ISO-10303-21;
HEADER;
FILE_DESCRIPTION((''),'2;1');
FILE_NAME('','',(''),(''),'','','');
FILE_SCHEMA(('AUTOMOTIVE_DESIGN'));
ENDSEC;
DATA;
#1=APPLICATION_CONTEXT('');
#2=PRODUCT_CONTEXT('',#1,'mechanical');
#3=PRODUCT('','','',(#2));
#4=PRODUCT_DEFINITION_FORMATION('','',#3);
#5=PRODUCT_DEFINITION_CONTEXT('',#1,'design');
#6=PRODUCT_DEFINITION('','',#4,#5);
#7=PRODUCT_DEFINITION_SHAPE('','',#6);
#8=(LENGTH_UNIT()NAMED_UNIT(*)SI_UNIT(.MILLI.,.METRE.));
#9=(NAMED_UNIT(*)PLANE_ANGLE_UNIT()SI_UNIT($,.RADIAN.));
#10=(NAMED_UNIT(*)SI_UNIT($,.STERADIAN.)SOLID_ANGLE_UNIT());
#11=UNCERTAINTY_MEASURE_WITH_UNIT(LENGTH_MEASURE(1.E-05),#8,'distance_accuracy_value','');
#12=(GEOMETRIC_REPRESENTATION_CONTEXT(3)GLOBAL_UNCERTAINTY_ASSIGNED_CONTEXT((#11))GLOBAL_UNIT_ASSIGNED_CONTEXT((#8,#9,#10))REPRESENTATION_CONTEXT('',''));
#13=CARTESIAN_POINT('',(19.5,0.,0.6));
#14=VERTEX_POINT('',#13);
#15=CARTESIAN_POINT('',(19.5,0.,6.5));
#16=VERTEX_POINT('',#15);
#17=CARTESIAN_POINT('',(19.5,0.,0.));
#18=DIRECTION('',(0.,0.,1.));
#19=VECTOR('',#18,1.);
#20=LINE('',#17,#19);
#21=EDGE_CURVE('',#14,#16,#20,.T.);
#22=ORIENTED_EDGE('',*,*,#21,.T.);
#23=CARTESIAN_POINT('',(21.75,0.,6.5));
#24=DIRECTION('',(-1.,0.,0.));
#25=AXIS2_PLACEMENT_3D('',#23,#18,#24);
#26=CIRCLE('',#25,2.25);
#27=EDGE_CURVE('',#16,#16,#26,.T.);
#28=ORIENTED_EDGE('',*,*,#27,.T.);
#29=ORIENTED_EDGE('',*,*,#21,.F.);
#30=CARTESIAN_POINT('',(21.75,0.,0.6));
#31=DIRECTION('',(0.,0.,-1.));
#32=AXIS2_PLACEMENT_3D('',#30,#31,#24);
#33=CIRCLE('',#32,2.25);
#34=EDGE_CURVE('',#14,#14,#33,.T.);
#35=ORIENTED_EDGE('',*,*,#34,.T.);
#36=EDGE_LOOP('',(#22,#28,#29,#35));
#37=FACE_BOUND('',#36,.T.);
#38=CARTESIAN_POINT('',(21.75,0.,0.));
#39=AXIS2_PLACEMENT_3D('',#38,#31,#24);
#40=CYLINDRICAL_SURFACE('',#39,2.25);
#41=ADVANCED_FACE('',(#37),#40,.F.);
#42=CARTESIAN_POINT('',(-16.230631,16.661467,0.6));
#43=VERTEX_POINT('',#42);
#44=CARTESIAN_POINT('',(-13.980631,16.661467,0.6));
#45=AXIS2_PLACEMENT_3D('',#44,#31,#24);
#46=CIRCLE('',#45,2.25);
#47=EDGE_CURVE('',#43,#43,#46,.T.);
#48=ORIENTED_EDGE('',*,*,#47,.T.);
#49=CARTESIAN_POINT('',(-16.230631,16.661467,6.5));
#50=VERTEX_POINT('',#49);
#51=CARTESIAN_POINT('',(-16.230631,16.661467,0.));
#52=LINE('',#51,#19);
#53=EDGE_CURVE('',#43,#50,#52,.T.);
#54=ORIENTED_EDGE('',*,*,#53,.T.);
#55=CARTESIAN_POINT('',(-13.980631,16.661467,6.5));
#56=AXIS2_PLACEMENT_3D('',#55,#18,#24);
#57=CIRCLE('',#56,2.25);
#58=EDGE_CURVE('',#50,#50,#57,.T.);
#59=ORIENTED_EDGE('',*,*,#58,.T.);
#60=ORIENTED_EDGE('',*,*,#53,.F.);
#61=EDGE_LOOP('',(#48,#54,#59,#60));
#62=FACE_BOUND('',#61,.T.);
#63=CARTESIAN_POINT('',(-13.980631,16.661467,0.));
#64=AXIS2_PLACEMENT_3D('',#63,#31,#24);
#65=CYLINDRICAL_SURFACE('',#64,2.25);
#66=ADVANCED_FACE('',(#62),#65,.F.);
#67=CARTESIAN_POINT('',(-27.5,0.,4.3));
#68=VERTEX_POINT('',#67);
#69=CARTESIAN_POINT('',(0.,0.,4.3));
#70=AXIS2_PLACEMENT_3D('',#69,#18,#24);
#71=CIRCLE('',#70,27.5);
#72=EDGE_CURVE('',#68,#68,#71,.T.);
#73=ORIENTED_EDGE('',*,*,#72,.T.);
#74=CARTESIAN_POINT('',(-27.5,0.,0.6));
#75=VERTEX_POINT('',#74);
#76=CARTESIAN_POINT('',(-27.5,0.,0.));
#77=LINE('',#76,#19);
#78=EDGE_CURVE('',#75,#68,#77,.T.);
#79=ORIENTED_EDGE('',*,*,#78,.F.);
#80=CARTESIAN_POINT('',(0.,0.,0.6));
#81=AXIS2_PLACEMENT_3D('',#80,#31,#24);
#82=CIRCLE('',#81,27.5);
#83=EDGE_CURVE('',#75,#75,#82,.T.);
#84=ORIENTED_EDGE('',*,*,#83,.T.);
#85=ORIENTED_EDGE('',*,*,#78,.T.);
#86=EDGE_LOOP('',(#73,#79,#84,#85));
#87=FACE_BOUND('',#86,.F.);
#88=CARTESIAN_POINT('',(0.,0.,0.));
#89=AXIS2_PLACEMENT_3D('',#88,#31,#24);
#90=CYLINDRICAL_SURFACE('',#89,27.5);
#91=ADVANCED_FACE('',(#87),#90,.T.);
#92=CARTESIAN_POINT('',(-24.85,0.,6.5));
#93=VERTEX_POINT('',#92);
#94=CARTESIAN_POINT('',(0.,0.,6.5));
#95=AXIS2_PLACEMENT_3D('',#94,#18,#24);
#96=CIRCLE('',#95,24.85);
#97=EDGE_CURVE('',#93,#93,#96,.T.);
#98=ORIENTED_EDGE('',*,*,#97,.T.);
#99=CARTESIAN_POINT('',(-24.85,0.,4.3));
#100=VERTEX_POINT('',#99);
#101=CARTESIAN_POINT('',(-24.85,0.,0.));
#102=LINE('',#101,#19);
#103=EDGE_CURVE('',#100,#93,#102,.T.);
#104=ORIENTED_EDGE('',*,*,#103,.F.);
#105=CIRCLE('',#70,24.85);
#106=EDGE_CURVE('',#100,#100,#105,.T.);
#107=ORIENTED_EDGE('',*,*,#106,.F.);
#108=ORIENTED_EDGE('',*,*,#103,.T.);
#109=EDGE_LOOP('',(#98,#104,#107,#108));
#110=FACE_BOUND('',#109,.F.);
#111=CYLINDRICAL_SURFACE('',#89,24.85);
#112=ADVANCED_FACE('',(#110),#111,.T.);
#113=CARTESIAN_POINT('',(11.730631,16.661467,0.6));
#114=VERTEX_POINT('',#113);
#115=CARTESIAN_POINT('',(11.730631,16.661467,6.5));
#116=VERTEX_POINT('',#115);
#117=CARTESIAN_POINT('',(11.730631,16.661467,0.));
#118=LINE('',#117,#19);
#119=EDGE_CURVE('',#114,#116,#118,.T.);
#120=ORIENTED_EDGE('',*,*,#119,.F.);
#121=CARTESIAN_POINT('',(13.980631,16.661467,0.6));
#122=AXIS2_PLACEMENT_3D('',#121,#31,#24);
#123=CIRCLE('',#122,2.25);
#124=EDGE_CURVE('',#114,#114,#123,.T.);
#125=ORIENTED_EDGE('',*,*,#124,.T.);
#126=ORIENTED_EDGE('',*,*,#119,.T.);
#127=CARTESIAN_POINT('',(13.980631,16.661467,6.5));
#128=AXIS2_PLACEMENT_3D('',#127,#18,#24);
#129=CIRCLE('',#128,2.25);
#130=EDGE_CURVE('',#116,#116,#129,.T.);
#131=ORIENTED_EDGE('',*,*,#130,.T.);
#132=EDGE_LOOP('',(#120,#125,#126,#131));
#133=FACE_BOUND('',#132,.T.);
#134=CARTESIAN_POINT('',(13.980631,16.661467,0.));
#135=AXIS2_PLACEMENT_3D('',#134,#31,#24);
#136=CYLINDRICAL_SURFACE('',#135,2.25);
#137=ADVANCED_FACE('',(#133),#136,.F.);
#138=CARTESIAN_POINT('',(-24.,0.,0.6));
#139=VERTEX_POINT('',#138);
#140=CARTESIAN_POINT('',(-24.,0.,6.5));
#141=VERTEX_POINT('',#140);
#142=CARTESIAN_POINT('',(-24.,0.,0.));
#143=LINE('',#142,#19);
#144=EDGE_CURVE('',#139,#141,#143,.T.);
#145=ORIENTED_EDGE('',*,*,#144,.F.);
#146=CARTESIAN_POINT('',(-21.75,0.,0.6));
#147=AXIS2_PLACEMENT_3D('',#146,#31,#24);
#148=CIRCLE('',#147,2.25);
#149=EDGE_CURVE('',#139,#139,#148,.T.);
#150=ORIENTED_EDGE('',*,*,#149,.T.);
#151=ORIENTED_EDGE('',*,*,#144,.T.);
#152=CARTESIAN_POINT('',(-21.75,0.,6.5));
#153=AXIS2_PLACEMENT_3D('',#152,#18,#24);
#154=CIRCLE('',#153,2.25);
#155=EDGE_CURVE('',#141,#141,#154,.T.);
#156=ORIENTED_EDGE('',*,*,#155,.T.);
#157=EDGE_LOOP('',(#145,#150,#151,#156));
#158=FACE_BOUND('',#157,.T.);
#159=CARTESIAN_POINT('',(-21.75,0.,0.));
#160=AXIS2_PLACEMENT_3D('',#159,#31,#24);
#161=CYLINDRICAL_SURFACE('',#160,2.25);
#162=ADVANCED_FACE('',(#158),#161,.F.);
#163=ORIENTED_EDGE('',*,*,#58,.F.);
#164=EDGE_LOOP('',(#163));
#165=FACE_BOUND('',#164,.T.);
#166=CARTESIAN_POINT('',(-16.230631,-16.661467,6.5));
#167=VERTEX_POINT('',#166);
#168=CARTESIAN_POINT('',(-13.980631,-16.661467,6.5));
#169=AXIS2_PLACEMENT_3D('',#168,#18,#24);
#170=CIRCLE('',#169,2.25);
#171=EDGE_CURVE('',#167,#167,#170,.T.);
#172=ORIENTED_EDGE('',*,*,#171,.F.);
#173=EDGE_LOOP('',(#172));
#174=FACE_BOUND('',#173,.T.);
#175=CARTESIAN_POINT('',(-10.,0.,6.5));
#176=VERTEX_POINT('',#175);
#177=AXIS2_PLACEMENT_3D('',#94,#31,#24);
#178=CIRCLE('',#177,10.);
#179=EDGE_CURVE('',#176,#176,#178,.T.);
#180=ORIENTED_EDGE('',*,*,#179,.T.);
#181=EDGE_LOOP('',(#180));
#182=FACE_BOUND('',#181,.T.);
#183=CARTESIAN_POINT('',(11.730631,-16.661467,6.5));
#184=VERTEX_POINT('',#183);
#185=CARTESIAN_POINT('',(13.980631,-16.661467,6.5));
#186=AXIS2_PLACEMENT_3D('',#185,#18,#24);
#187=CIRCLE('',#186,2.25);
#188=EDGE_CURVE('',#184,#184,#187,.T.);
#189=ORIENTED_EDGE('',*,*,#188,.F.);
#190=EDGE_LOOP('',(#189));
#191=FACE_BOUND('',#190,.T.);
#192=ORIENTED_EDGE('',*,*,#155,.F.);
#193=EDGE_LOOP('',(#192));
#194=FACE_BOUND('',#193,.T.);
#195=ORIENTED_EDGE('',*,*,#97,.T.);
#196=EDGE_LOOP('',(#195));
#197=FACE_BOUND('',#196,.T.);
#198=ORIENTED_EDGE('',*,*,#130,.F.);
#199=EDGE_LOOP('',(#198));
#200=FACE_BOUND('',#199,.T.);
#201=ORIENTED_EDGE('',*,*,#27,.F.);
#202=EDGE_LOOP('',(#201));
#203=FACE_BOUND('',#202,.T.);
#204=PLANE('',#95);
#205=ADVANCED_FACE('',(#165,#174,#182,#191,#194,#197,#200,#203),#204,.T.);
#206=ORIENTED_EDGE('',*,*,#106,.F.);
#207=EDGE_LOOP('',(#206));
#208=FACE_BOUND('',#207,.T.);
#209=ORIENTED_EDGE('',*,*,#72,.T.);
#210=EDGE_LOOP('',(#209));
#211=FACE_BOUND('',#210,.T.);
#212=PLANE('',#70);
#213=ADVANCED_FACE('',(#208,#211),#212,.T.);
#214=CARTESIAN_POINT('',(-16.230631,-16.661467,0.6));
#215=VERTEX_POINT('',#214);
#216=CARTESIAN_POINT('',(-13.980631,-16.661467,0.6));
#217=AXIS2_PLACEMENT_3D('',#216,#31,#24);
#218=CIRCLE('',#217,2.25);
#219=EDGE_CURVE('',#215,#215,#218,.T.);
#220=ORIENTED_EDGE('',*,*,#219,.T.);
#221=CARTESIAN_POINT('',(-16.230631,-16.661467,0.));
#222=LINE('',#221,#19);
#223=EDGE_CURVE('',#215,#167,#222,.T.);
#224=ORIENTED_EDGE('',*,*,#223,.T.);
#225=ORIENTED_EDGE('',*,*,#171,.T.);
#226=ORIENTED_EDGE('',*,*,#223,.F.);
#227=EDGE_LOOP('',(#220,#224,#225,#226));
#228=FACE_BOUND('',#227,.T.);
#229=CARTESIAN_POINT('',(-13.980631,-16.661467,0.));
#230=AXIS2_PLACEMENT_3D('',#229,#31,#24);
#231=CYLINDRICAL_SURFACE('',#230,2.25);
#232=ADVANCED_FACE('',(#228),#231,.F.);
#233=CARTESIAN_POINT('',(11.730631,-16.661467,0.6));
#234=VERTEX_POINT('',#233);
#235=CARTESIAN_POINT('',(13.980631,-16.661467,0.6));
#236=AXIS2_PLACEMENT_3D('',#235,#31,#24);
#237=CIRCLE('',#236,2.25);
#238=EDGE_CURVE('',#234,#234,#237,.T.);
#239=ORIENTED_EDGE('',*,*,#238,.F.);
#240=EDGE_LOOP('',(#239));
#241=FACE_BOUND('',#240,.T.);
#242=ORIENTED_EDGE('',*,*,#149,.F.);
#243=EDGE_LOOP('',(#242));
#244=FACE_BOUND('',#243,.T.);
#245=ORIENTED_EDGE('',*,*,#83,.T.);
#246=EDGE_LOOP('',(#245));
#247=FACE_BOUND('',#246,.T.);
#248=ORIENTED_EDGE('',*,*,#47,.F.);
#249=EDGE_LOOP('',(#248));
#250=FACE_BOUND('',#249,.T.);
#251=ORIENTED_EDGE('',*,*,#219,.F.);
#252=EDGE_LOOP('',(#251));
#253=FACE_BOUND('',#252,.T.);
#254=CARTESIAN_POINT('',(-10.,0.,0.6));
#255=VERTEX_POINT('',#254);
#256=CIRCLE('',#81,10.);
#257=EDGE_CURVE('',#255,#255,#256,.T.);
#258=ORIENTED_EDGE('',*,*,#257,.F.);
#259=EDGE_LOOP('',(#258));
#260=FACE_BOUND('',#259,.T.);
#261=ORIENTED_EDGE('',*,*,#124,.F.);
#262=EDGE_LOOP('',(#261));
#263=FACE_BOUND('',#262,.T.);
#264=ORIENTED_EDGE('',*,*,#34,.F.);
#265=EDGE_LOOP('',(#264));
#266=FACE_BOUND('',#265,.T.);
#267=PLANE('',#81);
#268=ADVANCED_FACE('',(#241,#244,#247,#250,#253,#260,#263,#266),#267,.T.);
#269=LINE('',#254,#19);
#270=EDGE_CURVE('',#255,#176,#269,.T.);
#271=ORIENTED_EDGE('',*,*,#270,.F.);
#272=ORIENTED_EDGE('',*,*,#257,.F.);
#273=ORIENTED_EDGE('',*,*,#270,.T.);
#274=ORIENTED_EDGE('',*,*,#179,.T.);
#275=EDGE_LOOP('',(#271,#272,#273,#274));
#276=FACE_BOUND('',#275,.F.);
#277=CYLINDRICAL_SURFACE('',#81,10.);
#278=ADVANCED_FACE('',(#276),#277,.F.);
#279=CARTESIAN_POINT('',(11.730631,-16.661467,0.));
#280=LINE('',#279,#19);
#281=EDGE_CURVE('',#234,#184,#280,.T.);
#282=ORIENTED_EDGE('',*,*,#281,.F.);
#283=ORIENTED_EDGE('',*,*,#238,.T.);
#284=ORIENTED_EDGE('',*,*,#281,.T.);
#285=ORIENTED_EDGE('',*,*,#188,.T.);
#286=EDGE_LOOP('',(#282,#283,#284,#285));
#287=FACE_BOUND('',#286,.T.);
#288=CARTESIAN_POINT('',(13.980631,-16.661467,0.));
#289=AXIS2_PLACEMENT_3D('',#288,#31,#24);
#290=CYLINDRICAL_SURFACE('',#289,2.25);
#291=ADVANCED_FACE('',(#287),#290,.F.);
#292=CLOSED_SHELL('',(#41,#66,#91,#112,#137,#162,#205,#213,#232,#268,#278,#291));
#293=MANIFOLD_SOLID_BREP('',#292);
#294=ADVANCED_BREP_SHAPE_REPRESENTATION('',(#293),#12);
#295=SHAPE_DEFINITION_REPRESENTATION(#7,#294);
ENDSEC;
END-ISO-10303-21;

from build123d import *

# Parameters (mm, degrees)
SKETCH_1_R          = 24.85
SKETCH_1_R_2        = 2.25
EXTRUDE_1_DEPTH     = 6.5
SKETCH_3_R          = 27.5
SKETCH_3_R_2        = 24.85
EXTRUDE_2_DEPTH     = 4.3
SKETCH_4_R          = 27.5
CUT_EXTRUDE_1_DEPTH = 0.6
SKETCH_5_R          = 10
CUT_EXTRUDE_2_DEPTH = 40.335861501


with BuildPart() as part:
    # 草图1 → 凸台-拉伸1 (new body)
    with BuildSketch(Plane.XY):
        with Locations(Location((0, 0, 0), (0, 0, 180))):
            Circle(SKETCH_1_R)
        with Locations(Location((-21.75, 0, 0), (0, 0, 180))):
            Circle(SKETCH_1_R_2, mode=Mode.SUBTRACT)
        with Locations(Location((-13.980630511, 16.661466638, 0), (0, 0, 180))):
            Circle(SKETCH_1_R_2, mode=Mode.SUBTRACT)
        with Locations(Location((-13.980630511, -16.661466638, 0), (0, 0, 180))):
            Circle(SKETCH_1_R_2, mode=Mode.SUBTRACT)
        with Locations(Location((13.980630511, -16.661466638, 0), (0, 0, 180))):
            Circle(SKETCH_1_R_2, mode=Mode.SUBTRACT)
        with Locations(Location((21.75, 0, 0), (0, 0, 180))):
            Circle(SKETCH_1_R_2, mode=Mode.SUBTRACT)
        with Locations(Location((13.980630511, 16.661466638, 0), (0, 0, 180))):
            Circle(SKETCH_1_R_2, mode=Mode.SUBTRACT)
    extrude(amount=EXTRUDE_1_DEPTH)

    # 草图3 → 凸台-拉伸2 (add)
    with BuildSketch(Plane.XY):
        with Locations(Location((0, 0, 0), (0, 0, 180))):
            Circle(SKETCH_3_R)
        with Locations(Location((0, 0, 0), (0, 0, 180))):
            Circle(SKETCH_3_R_2, mode=Mode.SUBTRACT)
    extrude(amount=EXTRUDE_2_DEPTH)

    # 草图4 → 切除-拉伸1 (cut)
    with BuildSketch(Plane(origin=(0, 0, 0), x_dir=(-1, 0, 0), z_dir=(0, 0, -1))):
        Circle(SKETCH_4_R)
    extrude(amount=-CUT_EXTRUDE_1_DEPTH, mode=Mode.SUBTRACT)

    # 草图5 → 切除-拉伸2 (cut, through all)
    with BuildSketch(Plane(origin=(0, 0, 0.6), x_dir=(-1, 0, 0), z_dir=(0, 0, -1))):
        Circle(SKETCH_5_R)
    extrude(amount=-CUT_EXTRUDE_2_DEPTH, mode=Mode.SUBTRACT)


solid = part.part
